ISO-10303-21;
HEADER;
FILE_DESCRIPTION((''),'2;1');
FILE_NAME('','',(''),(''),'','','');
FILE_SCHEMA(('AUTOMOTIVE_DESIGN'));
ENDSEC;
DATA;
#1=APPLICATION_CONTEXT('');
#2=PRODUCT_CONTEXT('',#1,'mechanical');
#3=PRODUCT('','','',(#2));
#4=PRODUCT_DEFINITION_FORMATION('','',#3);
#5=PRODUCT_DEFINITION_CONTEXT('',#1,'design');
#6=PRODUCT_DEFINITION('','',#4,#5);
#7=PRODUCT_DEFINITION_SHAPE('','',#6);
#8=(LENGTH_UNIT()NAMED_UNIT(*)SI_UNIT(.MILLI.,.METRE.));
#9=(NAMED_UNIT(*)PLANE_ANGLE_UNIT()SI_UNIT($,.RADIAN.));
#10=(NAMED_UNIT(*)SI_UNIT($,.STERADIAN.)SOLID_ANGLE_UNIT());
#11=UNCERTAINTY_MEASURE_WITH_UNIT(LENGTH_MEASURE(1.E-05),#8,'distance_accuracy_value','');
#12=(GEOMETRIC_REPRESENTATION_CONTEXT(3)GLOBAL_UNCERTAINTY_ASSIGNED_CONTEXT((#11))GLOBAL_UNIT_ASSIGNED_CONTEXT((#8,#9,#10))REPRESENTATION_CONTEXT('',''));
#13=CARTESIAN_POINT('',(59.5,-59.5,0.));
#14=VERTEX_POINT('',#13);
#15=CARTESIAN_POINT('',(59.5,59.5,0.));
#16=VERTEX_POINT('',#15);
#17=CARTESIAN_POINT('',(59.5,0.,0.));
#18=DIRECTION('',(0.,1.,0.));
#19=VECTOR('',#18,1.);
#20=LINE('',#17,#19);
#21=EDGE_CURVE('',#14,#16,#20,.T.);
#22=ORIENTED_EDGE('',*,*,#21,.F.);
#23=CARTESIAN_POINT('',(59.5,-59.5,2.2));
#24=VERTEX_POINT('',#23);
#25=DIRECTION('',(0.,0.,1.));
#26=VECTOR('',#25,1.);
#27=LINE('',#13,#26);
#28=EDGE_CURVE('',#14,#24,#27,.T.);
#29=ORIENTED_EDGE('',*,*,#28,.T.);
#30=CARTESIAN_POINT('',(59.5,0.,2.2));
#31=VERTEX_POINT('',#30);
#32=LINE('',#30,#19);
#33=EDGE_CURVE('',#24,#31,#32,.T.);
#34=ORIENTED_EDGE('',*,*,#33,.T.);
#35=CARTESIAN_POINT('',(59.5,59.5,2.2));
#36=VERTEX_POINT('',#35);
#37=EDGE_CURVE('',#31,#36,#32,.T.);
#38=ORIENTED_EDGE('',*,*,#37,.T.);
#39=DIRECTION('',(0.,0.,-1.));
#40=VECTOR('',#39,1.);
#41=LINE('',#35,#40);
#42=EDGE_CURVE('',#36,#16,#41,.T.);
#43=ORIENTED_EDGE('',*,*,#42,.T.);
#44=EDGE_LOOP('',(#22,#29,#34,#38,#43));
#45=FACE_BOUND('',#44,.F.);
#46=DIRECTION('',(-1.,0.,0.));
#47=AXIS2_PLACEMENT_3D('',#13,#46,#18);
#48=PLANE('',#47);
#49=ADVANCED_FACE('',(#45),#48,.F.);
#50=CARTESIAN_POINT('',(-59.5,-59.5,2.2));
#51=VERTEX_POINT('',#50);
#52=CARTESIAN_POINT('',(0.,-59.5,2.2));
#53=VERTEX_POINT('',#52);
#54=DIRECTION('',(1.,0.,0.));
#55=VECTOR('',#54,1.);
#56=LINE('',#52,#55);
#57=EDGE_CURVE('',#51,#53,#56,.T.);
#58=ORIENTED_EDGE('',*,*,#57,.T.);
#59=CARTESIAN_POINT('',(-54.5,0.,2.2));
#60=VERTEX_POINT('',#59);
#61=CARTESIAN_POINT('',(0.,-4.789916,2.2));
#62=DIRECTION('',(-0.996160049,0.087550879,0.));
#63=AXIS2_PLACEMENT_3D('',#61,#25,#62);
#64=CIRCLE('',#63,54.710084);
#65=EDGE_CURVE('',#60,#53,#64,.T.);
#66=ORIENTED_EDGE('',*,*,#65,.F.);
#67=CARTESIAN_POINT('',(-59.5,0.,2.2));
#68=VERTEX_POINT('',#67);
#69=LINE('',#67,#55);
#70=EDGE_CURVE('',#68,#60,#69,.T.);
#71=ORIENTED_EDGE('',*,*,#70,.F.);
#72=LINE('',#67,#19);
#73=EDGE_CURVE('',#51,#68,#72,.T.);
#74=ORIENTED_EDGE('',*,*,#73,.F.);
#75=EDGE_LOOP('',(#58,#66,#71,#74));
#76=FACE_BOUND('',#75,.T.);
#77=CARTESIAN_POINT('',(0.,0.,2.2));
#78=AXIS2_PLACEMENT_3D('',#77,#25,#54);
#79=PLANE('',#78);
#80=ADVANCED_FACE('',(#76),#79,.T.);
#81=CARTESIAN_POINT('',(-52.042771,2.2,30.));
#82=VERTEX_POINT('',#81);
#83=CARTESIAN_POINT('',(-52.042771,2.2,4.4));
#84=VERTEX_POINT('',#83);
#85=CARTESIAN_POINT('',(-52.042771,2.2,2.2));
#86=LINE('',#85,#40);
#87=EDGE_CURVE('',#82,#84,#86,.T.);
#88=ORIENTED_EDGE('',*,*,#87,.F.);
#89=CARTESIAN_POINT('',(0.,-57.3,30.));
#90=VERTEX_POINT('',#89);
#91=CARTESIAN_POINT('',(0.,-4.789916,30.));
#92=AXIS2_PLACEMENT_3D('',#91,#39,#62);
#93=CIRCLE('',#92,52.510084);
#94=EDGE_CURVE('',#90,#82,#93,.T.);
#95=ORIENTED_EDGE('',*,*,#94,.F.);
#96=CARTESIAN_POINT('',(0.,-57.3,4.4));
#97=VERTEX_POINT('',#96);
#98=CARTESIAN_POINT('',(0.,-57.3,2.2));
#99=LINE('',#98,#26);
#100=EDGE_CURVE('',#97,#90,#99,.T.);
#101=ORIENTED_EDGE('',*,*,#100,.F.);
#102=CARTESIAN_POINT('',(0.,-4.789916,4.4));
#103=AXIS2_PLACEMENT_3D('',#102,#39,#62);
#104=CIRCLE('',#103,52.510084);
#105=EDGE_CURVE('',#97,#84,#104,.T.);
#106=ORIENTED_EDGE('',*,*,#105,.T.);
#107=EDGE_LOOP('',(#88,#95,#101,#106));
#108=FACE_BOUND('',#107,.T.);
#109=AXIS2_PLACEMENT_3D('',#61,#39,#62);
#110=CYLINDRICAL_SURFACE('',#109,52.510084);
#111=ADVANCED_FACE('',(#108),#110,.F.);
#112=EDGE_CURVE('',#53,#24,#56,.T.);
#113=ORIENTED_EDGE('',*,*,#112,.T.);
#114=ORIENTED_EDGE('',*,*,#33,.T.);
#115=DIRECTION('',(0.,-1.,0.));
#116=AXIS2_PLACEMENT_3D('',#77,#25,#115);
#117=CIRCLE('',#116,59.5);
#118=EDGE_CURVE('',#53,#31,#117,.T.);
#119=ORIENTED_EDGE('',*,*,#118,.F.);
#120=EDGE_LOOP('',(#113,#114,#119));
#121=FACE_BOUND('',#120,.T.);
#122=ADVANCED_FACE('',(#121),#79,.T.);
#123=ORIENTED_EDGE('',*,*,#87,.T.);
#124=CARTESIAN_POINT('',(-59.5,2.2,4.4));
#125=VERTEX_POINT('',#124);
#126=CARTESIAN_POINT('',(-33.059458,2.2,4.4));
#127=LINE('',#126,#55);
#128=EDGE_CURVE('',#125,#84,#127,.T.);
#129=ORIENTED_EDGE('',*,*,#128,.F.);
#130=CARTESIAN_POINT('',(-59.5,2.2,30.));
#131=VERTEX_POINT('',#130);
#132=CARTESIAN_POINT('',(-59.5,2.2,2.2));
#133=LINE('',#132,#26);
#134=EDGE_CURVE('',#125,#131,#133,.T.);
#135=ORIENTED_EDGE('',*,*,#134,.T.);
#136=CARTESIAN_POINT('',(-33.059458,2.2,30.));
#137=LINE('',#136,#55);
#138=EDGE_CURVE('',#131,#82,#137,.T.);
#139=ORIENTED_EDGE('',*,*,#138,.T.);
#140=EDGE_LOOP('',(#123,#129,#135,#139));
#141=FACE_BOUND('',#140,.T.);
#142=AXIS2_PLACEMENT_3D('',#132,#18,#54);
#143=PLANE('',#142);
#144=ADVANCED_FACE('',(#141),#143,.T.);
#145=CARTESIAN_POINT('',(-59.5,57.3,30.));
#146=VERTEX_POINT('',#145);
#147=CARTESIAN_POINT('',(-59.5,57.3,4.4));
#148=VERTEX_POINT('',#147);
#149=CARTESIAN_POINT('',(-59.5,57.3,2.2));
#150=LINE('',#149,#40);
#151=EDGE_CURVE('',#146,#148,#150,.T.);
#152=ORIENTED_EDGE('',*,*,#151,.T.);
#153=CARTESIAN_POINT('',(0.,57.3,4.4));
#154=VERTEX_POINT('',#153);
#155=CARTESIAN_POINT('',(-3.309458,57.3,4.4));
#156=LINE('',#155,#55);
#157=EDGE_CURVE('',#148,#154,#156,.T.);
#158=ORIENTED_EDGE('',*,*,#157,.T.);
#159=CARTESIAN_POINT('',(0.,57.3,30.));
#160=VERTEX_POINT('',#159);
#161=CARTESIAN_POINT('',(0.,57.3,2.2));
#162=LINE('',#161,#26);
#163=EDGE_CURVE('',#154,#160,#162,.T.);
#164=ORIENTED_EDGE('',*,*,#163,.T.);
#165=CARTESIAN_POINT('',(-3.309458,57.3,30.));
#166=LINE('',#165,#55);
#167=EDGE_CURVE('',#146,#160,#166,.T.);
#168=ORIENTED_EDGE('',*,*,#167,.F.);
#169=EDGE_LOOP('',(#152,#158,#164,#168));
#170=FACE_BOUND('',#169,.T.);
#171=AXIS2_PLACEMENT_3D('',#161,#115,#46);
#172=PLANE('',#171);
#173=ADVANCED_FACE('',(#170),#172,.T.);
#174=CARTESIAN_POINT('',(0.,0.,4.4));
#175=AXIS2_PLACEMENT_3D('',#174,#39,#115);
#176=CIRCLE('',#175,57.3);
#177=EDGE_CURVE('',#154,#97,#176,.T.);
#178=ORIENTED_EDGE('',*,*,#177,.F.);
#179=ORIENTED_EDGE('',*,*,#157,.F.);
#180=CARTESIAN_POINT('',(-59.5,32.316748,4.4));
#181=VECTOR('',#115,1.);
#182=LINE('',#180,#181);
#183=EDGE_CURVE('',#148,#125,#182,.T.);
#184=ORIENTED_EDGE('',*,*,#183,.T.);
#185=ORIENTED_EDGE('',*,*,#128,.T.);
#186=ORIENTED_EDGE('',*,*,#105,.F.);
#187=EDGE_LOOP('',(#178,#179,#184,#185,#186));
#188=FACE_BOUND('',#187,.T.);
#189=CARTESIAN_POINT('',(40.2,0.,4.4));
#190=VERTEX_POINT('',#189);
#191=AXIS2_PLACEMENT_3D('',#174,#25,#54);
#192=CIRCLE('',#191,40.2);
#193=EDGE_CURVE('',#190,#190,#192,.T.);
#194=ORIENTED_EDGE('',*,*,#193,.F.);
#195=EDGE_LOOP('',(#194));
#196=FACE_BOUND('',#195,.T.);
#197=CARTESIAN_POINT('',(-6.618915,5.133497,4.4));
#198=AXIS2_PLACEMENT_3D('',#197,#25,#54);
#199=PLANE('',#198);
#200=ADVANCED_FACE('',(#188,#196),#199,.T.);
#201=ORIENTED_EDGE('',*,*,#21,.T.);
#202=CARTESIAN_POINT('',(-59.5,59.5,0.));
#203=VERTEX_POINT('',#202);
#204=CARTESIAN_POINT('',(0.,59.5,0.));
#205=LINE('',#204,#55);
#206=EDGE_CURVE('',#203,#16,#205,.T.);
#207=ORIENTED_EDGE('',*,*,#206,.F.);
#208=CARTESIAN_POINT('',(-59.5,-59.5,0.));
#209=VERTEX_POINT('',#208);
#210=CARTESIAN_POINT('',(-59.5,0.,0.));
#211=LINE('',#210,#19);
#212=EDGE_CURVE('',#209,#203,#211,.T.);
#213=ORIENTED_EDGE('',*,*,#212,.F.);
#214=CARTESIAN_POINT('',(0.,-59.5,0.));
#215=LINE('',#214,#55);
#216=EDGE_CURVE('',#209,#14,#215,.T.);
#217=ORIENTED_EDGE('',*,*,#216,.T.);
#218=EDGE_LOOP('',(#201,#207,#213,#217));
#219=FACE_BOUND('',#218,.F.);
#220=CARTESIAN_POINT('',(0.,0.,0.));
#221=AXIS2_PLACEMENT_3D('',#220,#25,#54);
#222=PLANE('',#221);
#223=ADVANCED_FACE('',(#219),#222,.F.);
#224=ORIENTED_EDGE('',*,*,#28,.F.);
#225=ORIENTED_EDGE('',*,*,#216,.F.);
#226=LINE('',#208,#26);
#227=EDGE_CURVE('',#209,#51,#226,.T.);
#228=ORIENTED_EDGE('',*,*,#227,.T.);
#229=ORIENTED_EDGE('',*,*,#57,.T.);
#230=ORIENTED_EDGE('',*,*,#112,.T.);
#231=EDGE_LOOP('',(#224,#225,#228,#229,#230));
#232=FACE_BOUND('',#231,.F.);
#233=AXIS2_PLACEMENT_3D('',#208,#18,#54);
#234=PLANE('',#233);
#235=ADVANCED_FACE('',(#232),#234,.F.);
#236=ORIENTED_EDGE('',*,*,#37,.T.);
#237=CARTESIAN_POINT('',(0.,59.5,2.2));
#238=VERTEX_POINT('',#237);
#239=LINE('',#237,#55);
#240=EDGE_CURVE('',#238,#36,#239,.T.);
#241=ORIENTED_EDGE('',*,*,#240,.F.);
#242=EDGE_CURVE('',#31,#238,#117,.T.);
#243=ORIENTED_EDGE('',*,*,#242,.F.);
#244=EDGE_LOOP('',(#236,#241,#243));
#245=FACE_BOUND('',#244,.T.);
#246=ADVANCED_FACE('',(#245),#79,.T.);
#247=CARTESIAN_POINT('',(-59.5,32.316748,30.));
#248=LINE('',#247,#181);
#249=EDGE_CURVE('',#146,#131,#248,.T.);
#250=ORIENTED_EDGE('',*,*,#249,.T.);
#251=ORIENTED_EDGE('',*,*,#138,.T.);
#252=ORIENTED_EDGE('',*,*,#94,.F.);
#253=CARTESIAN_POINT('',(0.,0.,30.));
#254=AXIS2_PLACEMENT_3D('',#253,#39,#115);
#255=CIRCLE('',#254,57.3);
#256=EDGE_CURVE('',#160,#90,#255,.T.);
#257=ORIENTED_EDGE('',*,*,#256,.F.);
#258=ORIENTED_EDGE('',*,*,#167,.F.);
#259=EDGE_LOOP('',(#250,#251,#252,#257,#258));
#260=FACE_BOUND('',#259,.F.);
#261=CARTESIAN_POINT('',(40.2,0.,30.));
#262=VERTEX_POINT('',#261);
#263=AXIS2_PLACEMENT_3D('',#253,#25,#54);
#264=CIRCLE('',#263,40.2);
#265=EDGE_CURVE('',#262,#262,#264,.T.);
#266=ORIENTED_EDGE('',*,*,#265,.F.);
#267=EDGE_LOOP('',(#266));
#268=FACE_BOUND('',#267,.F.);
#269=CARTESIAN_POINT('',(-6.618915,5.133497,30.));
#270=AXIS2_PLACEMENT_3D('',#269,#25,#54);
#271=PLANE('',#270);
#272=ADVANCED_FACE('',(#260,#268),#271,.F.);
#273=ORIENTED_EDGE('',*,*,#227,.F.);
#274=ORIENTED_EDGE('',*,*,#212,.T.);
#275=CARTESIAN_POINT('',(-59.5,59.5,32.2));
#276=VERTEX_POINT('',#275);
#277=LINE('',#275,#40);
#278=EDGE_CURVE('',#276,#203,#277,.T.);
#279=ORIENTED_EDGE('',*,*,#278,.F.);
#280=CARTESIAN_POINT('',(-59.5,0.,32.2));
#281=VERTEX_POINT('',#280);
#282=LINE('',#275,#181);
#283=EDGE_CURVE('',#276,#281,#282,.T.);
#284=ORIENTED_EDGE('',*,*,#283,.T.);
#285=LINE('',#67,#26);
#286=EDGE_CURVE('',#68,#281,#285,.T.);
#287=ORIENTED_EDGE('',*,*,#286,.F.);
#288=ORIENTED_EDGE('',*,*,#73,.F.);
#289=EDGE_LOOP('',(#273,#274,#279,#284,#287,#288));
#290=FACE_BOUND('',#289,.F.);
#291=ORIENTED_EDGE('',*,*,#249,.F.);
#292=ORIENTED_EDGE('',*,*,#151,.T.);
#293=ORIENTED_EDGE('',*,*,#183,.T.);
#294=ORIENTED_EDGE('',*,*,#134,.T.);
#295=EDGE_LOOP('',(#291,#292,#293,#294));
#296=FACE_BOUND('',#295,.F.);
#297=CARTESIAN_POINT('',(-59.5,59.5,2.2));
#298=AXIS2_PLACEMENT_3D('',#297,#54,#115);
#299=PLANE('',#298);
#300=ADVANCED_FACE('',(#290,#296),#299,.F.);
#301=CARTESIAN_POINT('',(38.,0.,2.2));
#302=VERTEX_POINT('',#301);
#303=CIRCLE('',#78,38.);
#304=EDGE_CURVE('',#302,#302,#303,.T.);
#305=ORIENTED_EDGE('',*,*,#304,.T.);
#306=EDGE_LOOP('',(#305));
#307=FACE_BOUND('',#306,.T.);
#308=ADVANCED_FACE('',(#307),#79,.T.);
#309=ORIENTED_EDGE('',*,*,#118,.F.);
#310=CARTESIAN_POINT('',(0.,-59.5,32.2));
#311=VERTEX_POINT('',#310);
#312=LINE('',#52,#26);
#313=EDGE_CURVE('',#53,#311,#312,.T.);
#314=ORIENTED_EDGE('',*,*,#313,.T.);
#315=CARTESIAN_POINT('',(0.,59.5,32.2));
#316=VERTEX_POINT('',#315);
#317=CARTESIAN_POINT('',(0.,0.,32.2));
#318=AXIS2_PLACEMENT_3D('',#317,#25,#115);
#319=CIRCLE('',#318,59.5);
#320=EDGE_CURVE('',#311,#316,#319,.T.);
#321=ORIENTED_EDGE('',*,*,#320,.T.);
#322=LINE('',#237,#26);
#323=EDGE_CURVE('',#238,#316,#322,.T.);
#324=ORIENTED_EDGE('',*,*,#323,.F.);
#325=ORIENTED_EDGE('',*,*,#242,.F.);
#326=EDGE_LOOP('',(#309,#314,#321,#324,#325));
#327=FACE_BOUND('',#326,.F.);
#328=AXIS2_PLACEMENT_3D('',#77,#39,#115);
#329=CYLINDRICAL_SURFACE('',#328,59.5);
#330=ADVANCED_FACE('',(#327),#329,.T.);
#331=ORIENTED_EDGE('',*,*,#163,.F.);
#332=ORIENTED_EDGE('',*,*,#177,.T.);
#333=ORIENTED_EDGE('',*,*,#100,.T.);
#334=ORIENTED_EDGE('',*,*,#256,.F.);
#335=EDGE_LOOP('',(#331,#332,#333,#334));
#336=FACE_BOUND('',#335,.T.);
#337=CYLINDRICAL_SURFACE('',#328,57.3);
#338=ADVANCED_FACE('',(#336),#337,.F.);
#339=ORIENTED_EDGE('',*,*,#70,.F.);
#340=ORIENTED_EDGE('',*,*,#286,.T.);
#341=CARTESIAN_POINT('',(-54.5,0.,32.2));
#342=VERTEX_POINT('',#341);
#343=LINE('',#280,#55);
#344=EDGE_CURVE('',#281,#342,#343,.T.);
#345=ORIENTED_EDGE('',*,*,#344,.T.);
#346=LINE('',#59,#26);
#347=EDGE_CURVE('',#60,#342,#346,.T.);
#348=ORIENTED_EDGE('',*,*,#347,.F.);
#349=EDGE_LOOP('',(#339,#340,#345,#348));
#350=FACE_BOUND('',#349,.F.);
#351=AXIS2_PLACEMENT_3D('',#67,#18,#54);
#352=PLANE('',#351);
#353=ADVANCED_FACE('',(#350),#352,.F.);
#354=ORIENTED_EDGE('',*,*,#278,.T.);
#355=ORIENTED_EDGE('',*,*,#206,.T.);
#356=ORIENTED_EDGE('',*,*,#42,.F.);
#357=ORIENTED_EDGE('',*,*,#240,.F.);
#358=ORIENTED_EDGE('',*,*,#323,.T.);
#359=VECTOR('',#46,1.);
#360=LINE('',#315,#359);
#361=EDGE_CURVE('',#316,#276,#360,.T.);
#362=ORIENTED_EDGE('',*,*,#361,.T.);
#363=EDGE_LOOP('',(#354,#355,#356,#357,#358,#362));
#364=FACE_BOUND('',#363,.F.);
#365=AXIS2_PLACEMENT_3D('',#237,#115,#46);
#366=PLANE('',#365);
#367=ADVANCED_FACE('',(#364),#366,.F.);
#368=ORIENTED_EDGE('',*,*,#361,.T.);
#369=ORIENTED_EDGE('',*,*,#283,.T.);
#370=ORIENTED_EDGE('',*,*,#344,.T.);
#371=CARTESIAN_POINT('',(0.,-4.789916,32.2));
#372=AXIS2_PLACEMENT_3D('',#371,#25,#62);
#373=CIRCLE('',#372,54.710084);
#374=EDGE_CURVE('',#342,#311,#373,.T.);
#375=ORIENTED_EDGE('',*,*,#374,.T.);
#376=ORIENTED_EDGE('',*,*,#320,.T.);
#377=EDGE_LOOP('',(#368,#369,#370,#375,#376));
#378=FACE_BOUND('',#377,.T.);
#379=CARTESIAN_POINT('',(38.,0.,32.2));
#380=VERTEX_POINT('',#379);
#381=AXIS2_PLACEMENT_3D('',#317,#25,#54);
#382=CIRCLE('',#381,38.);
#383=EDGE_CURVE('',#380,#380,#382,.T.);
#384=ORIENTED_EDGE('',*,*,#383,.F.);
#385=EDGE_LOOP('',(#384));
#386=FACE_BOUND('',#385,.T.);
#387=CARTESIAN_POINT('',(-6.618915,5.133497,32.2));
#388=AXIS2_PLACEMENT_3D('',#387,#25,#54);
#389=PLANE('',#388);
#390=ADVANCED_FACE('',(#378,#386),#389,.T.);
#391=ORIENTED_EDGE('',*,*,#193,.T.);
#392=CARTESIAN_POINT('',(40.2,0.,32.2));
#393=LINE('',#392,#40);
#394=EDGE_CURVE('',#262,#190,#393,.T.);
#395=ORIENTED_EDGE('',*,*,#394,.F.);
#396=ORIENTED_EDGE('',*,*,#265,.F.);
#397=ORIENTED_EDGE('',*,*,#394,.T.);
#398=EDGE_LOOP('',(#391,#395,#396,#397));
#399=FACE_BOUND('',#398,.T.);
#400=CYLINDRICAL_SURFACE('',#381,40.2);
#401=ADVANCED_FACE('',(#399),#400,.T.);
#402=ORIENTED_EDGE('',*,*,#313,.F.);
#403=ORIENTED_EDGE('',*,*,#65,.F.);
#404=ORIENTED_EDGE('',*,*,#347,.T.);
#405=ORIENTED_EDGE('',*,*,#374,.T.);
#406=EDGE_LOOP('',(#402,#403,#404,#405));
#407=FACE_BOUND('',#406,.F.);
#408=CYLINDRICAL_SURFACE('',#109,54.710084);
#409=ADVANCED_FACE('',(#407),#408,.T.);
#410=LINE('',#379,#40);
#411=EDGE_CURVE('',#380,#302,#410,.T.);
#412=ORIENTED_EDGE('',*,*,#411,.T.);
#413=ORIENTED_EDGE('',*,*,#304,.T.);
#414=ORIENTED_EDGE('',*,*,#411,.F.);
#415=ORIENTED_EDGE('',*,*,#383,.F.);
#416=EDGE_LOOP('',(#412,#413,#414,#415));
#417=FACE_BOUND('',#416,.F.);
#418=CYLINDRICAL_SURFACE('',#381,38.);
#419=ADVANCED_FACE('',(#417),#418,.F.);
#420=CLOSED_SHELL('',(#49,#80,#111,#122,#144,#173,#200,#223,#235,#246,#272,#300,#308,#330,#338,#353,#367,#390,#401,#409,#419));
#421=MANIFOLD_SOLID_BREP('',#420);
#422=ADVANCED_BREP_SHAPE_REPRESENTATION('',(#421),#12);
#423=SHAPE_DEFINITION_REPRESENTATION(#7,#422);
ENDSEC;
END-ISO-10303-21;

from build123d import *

# Parameters (mm, degrees)
F0_W     = 119
F0_H     = 119
F1_DEPTH = 2.2
F3_DEPTH = 30
F4_R     = 38
F5_DEPTH = 30
F6_T     = -2.2
F7_DEPTH = 1


with BuildPart() as f1:
    # F0 (on Top) → F1 (new body)
    with BuildSketch(Plane.XY):
        Rectangle(F0_W, F0_H)
    extrude(amount=F1_DEPTH)

    # F7 (add): a face of the model
    f7_faces = [f1.faces().sort_by_distance(p)[0] for p in [
        (0, 0, 2.2),
    ]]


with BuildPart() as f3:
    # F2 (on face) → F3 (new body)
    with BuildSketch(Plane.XY.offset(2.2)):
        with BuildLine():
            ThreePointArc((-54.5, 0), (-40.3438347211, -41.7435124756), (0, -59.5))
            ThreePointArc((0, -59.5), (59.5, 0), (0, 59.5))
            Line((0, 59.5), (-59.5, 59.5))
            Line((-59.5, 59.5), (-59.5, 0))
            Line((-59.5, 0), (-54.5, 0))
        make_face()
    extrude(amount=F3_DEPTH)

    # F4 (on face) → F5 (cut, through all)
    with BuildSketch(Plane.XY.offset(32.2)):
        Circle(F4_R)
    extrude(amount=-F5_DEPTH, mode=Mode.SUBTRACT)

    # F6
    f6_openings = [f3.faces().sort_by_distance(p)[0] for p in [
        (-59.5, 29.75, 17.2),
    ]]
    offset(amount=F6_T, openings=f6_openings, kind=Kind.INTERSECTION)


with BuildPart() as f1_1:
    add(f1.part)

    add(f3.part)  # F7 merges F3
    extrude(f7_faces, amount=-F7_DEPTH)


solid = f1_1.part
